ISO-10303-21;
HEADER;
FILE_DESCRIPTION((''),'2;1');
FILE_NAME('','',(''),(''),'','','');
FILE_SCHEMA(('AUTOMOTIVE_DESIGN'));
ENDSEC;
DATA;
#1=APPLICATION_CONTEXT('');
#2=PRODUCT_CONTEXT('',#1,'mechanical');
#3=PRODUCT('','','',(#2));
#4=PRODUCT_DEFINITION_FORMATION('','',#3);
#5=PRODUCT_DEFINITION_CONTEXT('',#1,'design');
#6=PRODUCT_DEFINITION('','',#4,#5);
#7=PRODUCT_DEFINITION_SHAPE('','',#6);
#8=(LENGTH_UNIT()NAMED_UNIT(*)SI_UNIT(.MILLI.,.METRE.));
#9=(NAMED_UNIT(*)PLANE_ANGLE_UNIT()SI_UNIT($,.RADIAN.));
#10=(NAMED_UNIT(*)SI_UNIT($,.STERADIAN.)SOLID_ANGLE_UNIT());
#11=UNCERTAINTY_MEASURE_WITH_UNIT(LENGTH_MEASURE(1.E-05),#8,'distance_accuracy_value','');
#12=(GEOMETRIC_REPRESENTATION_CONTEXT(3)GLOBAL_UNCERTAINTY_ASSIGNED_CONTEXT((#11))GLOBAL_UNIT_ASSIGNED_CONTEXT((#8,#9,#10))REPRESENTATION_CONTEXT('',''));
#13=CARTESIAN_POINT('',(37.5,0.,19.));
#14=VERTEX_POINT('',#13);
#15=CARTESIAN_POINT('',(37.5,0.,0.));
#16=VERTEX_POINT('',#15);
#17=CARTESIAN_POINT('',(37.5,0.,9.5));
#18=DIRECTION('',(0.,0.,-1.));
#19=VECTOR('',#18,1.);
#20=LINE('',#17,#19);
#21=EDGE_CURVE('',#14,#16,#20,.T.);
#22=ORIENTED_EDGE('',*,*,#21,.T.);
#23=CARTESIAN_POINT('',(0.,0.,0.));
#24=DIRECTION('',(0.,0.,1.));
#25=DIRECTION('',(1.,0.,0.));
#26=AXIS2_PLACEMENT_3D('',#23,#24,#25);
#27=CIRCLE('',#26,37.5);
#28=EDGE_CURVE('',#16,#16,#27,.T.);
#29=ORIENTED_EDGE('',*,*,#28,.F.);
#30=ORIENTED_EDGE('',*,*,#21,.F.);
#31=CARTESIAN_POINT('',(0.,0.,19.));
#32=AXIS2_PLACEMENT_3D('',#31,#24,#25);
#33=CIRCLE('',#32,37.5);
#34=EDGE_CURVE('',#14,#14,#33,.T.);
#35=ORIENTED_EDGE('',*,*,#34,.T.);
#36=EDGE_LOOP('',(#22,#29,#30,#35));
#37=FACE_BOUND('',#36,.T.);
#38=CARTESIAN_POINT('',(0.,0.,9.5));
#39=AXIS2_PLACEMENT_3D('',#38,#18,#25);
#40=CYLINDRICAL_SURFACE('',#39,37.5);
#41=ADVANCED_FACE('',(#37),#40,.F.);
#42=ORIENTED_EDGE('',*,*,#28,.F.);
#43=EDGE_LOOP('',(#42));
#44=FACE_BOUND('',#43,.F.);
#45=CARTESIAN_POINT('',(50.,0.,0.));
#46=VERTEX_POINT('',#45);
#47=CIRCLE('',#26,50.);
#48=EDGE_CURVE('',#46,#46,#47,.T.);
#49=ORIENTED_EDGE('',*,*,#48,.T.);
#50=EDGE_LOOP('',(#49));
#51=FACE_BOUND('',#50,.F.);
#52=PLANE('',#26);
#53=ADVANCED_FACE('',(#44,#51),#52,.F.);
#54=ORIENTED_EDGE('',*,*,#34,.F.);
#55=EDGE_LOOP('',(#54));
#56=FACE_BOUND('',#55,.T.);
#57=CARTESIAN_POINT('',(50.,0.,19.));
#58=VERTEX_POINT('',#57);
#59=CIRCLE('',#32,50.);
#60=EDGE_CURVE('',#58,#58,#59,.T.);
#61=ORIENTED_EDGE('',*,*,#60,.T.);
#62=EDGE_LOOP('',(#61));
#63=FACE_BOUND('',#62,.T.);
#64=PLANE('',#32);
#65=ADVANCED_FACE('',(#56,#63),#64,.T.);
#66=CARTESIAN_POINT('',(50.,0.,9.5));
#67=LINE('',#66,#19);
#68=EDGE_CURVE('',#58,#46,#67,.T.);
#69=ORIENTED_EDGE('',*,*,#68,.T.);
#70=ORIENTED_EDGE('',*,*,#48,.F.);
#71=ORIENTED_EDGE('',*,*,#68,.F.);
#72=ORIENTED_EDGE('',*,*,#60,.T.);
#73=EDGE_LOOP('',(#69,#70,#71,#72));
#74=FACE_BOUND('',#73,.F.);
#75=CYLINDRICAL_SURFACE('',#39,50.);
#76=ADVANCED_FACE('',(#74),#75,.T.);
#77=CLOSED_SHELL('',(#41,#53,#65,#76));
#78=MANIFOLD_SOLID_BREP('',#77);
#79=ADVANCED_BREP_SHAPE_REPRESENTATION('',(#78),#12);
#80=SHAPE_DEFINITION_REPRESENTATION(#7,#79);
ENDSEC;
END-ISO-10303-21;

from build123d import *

# Parameters (mm, degrees)
BINDER_FACE1_W = 12.5
BINDER_FACE1_H = 19


with BuildPart() as part:
    # Binder Face1 → Revolution (revolve)
    with BuildSketch(Plane(origin=(43.75, 0, 9.5), x_dir=(-1, 0, 0), z_dir=(0, -1, 0))):
        Rectangle(BINDER_FACE1_W, BINDER_FACE1_H)
    revolve(axis=Axis((0, 0, 0), (0, 0, 1)))


solid = part.part
